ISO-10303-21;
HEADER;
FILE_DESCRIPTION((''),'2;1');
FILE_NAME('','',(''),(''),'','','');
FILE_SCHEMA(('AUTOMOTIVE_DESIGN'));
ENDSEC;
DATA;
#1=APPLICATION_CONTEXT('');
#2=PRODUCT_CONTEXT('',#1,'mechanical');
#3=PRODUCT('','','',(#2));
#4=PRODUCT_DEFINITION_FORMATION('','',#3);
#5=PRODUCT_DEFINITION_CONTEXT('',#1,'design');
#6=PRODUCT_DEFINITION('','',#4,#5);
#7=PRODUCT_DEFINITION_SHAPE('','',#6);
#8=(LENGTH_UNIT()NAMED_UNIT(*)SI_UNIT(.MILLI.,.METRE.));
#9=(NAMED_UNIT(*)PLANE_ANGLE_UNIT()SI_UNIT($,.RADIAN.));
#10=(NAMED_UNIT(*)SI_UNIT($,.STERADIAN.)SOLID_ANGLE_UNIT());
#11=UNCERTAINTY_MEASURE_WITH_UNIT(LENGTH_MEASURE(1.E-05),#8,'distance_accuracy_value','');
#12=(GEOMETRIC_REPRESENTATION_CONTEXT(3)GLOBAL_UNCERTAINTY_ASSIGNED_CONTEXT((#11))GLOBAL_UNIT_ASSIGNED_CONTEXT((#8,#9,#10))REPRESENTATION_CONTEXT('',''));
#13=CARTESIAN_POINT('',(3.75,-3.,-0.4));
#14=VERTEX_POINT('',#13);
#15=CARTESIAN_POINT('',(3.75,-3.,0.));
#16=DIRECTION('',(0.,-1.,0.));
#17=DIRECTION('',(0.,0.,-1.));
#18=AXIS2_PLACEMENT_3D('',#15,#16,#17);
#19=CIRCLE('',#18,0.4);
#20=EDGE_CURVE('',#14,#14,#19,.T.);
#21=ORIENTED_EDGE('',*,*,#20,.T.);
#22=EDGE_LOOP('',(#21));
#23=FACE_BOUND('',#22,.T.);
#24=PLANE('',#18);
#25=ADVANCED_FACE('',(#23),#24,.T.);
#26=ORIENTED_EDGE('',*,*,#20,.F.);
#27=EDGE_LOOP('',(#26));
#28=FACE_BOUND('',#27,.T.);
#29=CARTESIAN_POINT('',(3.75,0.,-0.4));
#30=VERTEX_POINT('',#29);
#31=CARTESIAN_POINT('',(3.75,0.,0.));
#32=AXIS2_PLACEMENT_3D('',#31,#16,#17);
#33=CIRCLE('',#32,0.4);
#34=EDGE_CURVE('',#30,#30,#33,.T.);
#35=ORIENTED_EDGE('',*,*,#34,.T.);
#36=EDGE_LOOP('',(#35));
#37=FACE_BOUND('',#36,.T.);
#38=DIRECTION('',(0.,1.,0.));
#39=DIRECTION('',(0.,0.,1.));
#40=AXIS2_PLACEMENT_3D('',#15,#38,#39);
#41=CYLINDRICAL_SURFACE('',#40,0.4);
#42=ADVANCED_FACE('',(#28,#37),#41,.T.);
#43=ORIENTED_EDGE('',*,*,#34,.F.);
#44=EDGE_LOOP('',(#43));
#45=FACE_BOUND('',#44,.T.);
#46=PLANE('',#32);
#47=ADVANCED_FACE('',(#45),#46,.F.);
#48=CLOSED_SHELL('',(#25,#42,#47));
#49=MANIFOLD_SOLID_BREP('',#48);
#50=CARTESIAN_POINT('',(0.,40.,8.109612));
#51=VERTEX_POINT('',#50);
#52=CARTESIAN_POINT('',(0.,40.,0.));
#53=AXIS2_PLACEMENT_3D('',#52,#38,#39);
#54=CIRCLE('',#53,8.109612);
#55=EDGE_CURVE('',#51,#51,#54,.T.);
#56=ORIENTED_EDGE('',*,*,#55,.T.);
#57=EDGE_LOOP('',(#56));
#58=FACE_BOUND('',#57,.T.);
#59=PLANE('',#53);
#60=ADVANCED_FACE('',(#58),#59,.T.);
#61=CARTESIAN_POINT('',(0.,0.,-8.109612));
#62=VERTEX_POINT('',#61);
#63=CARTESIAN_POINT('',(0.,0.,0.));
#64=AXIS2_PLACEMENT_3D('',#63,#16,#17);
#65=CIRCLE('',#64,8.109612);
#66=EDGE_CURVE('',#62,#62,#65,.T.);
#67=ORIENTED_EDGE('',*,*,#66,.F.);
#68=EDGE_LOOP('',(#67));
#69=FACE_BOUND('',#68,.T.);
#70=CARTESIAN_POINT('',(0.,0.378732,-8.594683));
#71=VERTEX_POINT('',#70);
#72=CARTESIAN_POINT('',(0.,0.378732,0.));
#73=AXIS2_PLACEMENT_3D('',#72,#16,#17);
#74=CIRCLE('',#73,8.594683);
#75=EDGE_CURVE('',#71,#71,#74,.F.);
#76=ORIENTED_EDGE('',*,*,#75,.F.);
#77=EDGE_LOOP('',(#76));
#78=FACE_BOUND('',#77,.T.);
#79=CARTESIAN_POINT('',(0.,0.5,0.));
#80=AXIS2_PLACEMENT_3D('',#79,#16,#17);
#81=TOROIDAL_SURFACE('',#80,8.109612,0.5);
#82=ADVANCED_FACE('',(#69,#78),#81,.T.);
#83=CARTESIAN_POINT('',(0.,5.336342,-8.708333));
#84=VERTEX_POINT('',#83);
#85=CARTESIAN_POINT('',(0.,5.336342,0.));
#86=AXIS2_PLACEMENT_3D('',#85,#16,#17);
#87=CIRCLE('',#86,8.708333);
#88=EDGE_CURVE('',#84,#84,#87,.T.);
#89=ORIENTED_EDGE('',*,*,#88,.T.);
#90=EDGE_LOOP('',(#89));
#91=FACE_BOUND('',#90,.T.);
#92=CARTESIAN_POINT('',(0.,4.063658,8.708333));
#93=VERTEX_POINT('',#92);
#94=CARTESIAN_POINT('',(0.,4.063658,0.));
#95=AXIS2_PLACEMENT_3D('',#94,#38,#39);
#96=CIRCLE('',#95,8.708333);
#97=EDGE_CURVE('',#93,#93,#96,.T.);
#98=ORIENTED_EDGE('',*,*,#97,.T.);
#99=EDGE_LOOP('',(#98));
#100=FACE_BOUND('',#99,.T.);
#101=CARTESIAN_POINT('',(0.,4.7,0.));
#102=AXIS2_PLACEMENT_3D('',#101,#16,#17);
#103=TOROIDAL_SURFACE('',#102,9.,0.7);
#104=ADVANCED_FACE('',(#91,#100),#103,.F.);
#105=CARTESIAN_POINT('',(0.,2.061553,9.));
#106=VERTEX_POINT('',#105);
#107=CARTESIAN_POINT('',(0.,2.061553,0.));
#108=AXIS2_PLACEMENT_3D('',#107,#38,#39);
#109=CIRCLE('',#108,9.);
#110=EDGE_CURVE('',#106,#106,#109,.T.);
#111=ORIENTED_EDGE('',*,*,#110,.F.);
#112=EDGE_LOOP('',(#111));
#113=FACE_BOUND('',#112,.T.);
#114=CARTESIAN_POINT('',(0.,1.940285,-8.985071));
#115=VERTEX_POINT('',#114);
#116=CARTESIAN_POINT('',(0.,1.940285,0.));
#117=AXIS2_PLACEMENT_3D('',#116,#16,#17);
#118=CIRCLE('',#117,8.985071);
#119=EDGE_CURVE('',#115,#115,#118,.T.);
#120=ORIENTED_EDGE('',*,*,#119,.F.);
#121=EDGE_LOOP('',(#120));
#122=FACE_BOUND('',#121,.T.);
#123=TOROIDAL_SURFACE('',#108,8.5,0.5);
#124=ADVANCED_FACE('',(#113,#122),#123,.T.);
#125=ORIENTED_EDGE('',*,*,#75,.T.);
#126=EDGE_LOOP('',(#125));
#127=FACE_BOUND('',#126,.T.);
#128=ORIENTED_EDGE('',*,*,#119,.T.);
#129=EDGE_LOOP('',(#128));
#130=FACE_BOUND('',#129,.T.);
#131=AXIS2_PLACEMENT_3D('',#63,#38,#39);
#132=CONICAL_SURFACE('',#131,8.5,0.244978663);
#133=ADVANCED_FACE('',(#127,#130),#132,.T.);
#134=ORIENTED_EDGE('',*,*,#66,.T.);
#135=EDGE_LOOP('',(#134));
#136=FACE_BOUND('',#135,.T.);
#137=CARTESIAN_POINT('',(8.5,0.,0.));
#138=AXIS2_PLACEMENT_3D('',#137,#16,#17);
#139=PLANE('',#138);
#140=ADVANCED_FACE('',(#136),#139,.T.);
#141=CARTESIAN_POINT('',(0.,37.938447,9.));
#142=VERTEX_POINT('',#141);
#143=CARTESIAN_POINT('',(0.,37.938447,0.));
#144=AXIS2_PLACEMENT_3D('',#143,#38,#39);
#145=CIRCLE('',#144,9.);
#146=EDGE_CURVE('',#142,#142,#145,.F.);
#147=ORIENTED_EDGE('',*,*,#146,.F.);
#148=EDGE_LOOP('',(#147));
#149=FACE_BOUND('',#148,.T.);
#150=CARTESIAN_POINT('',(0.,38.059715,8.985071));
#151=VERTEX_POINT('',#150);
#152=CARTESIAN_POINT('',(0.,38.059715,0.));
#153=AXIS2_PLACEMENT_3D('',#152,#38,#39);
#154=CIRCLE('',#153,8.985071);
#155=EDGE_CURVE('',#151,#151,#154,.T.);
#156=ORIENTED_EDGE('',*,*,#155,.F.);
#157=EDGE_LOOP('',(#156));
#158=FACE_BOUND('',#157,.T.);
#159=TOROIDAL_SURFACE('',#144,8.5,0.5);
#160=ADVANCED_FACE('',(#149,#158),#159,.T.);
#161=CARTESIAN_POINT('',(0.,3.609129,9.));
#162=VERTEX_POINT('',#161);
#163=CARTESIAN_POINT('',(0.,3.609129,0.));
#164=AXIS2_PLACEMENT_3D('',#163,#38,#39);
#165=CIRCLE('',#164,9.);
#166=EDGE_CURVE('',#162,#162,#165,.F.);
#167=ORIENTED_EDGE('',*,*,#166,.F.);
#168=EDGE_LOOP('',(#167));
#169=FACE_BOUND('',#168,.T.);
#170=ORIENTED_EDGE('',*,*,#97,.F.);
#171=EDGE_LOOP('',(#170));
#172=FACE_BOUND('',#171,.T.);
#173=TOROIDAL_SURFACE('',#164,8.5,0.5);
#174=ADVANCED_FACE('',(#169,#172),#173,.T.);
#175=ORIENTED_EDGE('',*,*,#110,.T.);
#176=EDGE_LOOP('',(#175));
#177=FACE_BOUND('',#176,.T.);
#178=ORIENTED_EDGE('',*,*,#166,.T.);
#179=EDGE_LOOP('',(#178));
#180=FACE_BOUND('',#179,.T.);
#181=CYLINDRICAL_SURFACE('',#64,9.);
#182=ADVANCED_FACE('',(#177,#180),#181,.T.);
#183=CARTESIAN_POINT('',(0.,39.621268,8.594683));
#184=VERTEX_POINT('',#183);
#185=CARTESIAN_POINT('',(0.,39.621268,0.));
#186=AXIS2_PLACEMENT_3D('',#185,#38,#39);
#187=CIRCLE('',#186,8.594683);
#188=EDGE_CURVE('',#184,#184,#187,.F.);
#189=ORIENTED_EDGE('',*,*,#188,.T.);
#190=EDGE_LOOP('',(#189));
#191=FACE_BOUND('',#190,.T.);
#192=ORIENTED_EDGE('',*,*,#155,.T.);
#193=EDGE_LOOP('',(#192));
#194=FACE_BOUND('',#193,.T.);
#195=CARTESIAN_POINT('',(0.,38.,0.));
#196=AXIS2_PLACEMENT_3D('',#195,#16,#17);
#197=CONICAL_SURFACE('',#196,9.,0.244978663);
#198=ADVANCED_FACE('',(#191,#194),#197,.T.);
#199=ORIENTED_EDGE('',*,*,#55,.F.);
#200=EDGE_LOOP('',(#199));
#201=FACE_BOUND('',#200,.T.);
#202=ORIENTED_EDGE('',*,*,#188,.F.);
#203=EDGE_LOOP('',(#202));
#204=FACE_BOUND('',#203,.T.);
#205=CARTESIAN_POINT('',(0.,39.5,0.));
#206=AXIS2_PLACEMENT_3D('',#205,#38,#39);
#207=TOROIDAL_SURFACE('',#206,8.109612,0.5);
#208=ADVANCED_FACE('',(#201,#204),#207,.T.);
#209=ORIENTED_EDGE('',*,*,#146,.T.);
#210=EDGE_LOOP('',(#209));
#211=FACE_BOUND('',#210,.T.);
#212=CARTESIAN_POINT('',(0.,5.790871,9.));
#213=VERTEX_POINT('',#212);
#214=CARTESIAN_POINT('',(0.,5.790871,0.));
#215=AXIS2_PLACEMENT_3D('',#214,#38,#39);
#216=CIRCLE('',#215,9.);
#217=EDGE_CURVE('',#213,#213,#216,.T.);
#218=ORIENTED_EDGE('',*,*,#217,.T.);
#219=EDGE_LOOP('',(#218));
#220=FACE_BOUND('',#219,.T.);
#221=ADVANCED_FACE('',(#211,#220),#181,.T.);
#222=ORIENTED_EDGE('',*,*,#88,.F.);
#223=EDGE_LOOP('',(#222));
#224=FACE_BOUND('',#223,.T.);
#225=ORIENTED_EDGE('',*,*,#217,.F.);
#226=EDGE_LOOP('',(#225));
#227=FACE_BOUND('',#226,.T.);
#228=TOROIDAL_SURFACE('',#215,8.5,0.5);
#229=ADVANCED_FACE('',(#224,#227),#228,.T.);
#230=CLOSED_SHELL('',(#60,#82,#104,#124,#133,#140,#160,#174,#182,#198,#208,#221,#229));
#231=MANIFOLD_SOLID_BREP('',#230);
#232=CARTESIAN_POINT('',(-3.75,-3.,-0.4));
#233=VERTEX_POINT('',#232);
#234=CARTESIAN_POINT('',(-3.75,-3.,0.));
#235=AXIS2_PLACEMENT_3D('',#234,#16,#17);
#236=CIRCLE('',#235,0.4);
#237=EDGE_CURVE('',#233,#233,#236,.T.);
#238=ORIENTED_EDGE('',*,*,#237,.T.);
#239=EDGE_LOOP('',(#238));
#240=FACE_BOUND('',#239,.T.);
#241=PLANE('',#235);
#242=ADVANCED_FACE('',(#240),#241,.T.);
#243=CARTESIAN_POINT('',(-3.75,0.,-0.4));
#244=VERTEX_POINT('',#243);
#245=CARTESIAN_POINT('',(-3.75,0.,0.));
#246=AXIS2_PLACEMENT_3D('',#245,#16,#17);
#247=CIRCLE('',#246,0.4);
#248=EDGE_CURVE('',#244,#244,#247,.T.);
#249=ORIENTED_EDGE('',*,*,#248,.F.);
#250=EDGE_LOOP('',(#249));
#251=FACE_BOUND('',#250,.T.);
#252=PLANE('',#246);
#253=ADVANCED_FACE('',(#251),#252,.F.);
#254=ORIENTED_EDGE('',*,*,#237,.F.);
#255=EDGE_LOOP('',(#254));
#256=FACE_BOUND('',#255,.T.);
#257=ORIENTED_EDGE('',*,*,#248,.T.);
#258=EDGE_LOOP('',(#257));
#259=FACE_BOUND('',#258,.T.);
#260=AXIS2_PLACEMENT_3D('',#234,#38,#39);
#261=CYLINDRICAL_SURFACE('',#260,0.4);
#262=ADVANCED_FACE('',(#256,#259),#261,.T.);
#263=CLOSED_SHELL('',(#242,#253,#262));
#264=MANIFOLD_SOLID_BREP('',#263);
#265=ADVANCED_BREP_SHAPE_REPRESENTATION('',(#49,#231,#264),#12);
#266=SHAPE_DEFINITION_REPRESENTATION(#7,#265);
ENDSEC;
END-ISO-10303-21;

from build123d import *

# Parameters (mm, degrees)
ZAOBLIT1_R                = 0.5
SKICA2_R                  = 0.4
P_IDAT_VYSUNUT_M1_DEPTH   = 3
P_IDAT_VYSUNUT_M1_2_DEPTH = 3


with BuildPart() as part:
    # Skica1 → Rotovat1 (revolve)
    with BuildSketch(Plane.XY, mode=Mode.PRIVATE) as rotovat1_sk:
        with BuildLine():
            Line((0, 40), (8.5, 40))
            Line((8.5, 40), (9, 38))
            Line((9, 38), (9, 5.4))
            ThreePointArc((9, 5.4), (8.3, 4.7), (9, 4))
            Line((9, 4), (9, 2))
            Line((9, 2), (8.5, 0))
            Line((8.5, 0), (0, 0))
            Line((0, 0), (0, 40))
        make_face()
    revolve(rotovat1_sk.sketch.rotate(Axis((0, 0, 0), (0, 1, 0)), 90), axis=Axis((0, 0, 0), (0, 1, 0)))

    # Zaoblit1
    zaoblit1_edges = [part.edges().sort_by_distance(p)[0] for p in [
        (0, 40, 8.5),
        (0, 38, 9),
        (0, 5.4, 9),
        (0, 4, 9),
        (0, 2, 9),
        (0, 0, 8.5),
    ]]
    fillet(zaoblit1_edges, radius=ZAOBLIT1_R)


with BuildPart() as body_2:
    # Skica2 → Přidat vysunutím1 (new body)
    with BuildSketch(Plane.XZ):
        with Locations(Location((-3.75, 0, 0), (0, 0, 270))):
            Circle(SKICA2_R)
    extrude(amount=P_IDAT_VYSUNUT_M1_DEPTH)


with BuildPart() as body_3:
    # Skica2 → P_idat vysunut_m1 2 (new body)
    with BuildSketch(Plane.XZ):
        with Locations(Location((3.75, 0, 0), (0, 0, 270))):
            Circle(SKICA2_R)
    extrude(amount=P_IDAT_VYSUNUT_M1_2_DEPTH)


solid = Compound([part.part, body_2.part, body_3.part])
